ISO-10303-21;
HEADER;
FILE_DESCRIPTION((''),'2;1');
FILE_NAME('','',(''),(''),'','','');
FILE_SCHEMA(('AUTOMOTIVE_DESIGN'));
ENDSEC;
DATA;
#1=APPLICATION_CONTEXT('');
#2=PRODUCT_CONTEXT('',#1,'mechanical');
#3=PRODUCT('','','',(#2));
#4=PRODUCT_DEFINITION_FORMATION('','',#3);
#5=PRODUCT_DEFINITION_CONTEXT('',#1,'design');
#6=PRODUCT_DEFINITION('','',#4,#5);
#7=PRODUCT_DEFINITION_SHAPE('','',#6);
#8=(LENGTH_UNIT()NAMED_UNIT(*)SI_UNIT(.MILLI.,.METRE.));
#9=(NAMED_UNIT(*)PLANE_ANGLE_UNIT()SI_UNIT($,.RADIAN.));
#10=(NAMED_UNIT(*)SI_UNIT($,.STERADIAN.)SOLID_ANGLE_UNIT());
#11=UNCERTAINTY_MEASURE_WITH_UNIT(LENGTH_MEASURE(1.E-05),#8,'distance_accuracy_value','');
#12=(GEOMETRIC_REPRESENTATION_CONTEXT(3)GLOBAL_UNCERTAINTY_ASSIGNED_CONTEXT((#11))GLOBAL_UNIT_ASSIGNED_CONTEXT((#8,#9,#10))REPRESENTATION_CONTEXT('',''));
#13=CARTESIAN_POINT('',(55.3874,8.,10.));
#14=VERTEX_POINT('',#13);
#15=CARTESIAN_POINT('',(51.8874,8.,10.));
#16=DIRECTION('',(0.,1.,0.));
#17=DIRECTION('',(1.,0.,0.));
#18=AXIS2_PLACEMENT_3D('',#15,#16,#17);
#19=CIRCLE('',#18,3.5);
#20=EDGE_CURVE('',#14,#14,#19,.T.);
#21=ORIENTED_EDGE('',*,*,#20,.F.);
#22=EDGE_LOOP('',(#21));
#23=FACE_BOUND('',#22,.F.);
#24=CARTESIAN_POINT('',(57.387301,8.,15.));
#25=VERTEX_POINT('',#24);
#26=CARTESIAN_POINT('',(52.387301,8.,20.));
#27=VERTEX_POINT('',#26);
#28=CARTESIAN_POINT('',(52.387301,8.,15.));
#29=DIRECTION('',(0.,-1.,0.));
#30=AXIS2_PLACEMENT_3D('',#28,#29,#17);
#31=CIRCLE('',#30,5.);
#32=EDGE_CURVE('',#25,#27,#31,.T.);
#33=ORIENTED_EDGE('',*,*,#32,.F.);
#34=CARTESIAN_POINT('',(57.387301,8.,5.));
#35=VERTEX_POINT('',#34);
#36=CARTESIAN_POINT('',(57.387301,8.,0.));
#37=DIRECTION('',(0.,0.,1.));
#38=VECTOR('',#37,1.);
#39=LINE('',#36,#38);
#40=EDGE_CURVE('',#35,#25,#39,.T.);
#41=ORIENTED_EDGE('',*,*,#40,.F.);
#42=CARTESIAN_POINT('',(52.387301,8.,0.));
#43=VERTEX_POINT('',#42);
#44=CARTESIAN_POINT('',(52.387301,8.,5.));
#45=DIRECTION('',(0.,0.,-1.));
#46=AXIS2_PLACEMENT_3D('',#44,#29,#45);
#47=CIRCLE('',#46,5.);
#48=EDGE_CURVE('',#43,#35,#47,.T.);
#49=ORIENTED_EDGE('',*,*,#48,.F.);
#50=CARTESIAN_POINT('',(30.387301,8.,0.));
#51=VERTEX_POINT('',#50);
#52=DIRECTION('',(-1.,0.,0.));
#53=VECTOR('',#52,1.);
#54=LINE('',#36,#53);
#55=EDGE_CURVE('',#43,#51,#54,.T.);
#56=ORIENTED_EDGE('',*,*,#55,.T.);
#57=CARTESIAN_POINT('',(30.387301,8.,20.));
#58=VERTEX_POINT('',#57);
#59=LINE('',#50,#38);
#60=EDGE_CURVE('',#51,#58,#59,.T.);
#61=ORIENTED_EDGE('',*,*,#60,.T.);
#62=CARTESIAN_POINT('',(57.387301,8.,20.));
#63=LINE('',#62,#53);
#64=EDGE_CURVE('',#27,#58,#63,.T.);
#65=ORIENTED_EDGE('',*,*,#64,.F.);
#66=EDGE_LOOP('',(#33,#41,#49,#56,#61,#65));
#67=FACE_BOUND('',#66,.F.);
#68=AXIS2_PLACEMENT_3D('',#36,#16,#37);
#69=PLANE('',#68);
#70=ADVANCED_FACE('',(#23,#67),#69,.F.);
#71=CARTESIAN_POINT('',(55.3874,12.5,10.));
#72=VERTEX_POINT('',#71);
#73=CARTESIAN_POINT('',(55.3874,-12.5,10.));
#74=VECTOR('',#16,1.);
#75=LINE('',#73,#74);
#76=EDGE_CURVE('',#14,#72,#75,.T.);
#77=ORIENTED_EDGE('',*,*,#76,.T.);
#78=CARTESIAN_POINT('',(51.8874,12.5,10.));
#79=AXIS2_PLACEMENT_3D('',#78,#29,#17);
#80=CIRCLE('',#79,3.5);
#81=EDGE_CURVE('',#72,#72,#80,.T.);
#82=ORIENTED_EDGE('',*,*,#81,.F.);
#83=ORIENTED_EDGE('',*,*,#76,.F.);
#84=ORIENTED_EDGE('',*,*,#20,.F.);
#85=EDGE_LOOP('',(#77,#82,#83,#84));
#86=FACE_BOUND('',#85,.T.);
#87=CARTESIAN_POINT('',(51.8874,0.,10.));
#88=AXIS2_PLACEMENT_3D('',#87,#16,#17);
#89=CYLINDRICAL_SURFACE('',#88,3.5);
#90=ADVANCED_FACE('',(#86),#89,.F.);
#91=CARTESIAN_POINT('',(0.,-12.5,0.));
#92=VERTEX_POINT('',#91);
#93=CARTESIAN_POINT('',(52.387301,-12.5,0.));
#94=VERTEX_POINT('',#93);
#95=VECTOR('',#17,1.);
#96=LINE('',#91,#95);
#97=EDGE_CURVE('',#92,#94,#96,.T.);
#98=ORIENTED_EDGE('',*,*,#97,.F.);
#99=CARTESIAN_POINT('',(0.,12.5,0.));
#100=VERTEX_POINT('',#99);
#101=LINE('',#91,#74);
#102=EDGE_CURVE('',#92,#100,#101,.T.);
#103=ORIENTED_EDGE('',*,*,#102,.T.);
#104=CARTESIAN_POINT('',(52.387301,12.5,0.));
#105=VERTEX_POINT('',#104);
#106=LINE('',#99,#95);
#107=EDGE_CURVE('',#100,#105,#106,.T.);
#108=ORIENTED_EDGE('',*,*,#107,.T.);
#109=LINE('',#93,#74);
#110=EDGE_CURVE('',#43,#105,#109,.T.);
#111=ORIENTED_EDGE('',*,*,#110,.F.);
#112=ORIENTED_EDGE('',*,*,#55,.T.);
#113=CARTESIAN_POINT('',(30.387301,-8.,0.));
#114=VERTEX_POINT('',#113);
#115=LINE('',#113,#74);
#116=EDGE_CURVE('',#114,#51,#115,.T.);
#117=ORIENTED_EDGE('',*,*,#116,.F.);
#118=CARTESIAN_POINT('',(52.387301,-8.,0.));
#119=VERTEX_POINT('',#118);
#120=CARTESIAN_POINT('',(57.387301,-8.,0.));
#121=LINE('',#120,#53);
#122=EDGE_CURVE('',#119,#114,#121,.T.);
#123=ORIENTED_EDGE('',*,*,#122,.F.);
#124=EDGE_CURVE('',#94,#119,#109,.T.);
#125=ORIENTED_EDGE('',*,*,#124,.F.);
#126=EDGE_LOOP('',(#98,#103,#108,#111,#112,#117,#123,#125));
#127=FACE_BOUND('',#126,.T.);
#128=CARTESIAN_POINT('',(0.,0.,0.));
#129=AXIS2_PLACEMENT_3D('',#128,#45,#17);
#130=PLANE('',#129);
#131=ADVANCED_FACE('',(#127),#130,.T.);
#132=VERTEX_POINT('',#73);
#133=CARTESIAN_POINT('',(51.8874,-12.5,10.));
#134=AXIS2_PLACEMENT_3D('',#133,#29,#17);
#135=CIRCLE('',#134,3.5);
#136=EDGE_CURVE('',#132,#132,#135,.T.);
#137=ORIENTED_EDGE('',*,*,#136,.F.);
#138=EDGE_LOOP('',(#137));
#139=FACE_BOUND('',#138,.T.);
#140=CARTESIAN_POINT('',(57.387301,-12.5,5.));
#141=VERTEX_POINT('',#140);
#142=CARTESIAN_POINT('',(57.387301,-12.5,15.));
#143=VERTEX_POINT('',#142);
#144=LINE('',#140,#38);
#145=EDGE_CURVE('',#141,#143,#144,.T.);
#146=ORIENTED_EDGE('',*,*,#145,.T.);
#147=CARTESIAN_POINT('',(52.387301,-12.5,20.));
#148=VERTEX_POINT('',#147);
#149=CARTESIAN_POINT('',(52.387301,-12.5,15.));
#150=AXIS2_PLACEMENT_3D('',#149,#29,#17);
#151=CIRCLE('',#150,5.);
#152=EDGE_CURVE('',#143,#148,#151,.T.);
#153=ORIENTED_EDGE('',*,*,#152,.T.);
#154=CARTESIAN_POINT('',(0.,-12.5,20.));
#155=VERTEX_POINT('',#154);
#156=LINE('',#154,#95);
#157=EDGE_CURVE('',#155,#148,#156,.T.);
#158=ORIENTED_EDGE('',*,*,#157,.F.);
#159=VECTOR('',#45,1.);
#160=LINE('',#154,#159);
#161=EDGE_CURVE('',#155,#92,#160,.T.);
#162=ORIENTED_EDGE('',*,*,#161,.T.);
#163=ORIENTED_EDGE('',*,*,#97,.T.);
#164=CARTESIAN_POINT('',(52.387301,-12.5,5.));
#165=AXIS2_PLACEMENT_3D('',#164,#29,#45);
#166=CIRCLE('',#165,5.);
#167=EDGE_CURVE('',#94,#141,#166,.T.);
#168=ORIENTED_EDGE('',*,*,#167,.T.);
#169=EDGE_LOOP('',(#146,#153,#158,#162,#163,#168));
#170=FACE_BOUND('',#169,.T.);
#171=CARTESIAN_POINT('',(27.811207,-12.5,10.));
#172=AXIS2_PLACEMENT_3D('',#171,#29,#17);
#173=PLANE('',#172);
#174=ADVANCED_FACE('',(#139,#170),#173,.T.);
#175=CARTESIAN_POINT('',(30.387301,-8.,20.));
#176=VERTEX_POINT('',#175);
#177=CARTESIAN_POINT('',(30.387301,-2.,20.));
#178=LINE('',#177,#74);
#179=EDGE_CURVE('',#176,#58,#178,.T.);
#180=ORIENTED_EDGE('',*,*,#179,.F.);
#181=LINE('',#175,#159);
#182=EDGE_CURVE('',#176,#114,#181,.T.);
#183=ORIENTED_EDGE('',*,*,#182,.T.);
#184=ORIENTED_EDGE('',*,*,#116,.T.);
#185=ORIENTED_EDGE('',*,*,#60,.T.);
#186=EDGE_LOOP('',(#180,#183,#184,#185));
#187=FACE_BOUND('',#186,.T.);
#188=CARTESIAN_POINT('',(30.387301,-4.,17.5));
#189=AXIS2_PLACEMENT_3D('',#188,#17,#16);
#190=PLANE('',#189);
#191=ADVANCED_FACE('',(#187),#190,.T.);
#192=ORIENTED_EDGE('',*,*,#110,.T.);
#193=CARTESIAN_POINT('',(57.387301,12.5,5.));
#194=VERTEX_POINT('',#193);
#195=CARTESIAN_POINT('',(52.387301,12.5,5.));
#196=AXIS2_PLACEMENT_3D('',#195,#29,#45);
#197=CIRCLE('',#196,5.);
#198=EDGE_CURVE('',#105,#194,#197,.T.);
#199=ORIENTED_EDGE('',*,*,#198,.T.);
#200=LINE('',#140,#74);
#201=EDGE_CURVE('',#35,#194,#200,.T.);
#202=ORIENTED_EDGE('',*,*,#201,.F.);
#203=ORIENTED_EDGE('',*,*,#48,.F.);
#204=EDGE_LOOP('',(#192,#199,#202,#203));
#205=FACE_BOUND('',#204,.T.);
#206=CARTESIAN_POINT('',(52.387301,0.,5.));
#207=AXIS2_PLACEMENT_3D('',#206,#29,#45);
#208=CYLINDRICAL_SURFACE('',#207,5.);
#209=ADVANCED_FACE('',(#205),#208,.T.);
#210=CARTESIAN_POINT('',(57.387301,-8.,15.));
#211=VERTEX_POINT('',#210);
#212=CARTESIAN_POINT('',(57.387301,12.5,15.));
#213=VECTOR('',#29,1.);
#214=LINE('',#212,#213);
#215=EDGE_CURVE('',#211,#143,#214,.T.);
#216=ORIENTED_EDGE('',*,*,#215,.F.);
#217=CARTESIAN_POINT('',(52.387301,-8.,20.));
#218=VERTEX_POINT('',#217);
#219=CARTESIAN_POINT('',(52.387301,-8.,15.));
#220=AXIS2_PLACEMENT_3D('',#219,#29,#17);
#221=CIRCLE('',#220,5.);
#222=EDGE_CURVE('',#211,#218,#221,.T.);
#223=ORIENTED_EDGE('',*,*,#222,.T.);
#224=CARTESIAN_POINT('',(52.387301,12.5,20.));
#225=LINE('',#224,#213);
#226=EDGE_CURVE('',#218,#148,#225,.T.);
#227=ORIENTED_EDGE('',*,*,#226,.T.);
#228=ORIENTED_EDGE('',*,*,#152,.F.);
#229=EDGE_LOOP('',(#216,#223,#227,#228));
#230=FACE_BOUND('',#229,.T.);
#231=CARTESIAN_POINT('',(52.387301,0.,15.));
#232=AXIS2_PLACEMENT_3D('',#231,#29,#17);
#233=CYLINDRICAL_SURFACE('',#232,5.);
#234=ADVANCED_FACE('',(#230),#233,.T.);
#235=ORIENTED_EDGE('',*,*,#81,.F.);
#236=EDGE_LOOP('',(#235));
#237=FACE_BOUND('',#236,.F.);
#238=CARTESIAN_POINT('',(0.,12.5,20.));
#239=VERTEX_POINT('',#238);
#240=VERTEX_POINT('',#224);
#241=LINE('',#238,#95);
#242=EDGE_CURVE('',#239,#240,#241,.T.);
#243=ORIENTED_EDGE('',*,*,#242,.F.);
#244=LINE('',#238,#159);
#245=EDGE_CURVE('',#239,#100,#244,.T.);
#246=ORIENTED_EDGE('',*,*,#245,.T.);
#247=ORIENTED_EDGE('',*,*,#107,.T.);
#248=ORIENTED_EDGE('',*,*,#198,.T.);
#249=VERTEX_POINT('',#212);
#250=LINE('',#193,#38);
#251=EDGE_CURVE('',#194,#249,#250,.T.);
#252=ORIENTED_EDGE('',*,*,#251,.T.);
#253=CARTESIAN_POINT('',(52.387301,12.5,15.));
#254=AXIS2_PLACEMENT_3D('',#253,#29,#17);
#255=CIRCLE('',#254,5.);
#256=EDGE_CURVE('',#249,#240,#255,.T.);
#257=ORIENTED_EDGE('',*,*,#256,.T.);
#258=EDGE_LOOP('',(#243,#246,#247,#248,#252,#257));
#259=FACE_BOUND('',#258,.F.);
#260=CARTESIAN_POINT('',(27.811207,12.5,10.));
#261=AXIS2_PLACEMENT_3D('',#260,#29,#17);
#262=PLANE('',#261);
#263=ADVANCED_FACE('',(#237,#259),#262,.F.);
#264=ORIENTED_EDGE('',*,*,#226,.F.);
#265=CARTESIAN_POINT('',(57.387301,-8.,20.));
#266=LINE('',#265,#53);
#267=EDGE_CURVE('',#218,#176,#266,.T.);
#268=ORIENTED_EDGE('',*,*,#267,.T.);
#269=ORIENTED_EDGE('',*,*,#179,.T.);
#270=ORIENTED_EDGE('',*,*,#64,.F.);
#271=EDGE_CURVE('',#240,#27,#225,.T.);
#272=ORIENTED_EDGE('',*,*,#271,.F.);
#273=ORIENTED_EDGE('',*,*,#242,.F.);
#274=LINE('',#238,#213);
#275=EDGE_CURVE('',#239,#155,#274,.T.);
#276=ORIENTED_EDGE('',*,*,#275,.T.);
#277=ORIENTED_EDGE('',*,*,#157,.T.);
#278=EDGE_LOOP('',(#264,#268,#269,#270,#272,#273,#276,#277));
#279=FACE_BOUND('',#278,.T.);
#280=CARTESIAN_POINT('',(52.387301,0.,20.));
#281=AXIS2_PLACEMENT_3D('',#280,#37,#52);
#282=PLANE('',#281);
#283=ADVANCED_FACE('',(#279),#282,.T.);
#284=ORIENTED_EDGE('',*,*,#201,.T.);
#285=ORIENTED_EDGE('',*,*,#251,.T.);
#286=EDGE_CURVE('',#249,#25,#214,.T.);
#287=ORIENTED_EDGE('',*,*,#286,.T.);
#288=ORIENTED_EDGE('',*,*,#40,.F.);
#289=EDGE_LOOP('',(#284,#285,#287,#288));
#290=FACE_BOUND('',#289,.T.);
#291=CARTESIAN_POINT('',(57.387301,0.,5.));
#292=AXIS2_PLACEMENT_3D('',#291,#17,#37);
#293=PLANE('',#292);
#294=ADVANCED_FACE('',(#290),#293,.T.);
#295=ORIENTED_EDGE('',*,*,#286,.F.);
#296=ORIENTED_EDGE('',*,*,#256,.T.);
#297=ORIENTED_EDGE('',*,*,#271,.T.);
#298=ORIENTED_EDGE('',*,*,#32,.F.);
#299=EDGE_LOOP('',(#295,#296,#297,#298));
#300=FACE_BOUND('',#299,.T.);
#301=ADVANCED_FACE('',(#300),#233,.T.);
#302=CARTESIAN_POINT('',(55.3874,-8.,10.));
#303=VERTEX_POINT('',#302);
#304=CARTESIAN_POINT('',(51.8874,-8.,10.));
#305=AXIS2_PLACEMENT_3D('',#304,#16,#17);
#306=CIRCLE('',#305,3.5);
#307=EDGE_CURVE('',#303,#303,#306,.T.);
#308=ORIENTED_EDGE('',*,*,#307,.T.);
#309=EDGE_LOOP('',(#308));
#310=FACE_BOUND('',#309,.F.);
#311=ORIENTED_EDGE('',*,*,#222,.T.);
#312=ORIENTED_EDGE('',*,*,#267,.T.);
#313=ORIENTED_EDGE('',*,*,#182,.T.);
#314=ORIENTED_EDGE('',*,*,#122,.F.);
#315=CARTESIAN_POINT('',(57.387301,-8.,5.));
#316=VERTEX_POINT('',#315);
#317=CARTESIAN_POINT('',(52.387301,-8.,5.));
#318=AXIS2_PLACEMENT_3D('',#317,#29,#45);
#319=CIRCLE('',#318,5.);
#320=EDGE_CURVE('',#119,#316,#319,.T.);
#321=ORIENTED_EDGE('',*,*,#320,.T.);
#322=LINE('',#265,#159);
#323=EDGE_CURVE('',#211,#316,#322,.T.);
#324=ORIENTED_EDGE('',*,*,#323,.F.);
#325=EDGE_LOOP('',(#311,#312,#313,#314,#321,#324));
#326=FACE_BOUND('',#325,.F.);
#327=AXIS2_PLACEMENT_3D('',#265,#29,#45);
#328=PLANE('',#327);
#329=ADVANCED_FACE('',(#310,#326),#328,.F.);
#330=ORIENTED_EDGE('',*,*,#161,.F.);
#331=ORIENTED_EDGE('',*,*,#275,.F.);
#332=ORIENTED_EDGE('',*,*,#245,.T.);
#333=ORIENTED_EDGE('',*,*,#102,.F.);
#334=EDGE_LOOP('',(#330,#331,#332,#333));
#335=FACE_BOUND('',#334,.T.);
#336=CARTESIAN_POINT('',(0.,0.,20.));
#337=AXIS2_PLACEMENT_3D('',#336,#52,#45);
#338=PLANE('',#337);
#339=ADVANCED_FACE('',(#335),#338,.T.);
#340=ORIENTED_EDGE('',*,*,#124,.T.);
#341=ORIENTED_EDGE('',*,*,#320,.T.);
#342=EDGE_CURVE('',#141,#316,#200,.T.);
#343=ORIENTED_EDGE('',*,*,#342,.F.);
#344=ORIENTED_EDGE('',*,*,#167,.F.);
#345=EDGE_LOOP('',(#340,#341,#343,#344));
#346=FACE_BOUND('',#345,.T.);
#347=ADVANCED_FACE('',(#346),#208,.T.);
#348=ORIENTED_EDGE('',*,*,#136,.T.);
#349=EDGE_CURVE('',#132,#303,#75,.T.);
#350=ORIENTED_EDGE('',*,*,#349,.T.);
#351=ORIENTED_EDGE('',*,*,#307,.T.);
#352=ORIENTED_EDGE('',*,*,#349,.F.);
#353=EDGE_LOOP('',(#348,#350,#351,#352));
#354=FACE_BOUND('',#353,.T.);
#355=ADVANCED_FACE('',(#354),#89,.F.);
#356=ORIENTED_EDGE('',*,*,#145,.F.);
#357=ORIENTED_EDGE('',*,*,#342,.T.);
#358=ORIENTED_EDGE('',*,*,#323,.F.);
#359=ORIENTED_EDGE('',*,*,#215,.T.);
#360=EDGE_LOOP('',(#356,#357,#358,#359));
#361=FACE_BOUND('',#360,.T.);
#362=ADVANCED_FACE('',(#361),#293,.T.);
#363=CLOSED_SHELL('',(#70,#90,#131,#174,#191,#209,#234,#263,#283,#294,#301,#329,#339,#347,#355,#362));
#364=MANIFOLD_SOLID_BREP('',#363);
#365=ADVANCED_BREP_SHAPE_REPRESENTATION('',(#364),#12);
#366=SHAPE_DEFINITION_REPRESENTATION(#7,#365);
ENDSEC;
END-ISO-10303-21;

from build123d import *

# Parameters (mm, degrees)
F0_R     = 3.5
F1_DEPTH = 12.5
F2_W     = 8
F2_H     = 5
F2_H_2   = 10
F3_DEPTH = 27


with BuildPart() as f1:
    # F0 (on Front) → F1 (new body, symmetric)
    with BuildSketch(Plane.XZ):
        with BuildLine():
            Line((57.3873014223, 5), (57.3873014223, 15))
            ThreePointArc((57.3873014223, 15), (55.9228353283, 18.5355339059), (52.3873014223, 20))
            Line((52.3873014223, 20), (0, 20))
            Line((0, 20), (0, 0))
            Line((0, 0), (52.3873014223, 0))
            ThreePointArc((52.3873014223, 0), (55.9228353283, 1.4644660941), (57.3873014223, 5))
        make_face()
        with Locations((51.887400426, 10)):
            Circle(F0_R, mode=Mode.SUBTRACT)
    extrude(amount=F1_DEPTH, both=True)

    # F2 (on face) → F3 (cut)
    with BuildSketch(Plane.YZ.offset(57.3873014223)):
        with Locations((-4, 17.5)):
            Rectangle(F2_W, F2_H)
        with Locations((4, 17.5)):
            Rectangle(F2_W, F2_H)
        with Locations((4, 10)):
            Rectangle(F2_W, F2_H_2)
        with Locations((-4, 10)):
            Rectangle(F2_W, F2_H_2)
        with Locations((-4, 2.5)):
            Rectangle(F2_W, F2_H)
        with Locations((4, 2.5)):
            Rectangle(F2_W, F2_H)
        Polygon((-12.5, 21.4797947556), (-12.5, 20), (-8, 20), (0, 20), (8, 20), (12.5, 20), (0, 21.4797947556), align=None)
    extrude(amount=-F3_DEPTH, mode=Mode.SUBTRACT)


solid = f1.part
